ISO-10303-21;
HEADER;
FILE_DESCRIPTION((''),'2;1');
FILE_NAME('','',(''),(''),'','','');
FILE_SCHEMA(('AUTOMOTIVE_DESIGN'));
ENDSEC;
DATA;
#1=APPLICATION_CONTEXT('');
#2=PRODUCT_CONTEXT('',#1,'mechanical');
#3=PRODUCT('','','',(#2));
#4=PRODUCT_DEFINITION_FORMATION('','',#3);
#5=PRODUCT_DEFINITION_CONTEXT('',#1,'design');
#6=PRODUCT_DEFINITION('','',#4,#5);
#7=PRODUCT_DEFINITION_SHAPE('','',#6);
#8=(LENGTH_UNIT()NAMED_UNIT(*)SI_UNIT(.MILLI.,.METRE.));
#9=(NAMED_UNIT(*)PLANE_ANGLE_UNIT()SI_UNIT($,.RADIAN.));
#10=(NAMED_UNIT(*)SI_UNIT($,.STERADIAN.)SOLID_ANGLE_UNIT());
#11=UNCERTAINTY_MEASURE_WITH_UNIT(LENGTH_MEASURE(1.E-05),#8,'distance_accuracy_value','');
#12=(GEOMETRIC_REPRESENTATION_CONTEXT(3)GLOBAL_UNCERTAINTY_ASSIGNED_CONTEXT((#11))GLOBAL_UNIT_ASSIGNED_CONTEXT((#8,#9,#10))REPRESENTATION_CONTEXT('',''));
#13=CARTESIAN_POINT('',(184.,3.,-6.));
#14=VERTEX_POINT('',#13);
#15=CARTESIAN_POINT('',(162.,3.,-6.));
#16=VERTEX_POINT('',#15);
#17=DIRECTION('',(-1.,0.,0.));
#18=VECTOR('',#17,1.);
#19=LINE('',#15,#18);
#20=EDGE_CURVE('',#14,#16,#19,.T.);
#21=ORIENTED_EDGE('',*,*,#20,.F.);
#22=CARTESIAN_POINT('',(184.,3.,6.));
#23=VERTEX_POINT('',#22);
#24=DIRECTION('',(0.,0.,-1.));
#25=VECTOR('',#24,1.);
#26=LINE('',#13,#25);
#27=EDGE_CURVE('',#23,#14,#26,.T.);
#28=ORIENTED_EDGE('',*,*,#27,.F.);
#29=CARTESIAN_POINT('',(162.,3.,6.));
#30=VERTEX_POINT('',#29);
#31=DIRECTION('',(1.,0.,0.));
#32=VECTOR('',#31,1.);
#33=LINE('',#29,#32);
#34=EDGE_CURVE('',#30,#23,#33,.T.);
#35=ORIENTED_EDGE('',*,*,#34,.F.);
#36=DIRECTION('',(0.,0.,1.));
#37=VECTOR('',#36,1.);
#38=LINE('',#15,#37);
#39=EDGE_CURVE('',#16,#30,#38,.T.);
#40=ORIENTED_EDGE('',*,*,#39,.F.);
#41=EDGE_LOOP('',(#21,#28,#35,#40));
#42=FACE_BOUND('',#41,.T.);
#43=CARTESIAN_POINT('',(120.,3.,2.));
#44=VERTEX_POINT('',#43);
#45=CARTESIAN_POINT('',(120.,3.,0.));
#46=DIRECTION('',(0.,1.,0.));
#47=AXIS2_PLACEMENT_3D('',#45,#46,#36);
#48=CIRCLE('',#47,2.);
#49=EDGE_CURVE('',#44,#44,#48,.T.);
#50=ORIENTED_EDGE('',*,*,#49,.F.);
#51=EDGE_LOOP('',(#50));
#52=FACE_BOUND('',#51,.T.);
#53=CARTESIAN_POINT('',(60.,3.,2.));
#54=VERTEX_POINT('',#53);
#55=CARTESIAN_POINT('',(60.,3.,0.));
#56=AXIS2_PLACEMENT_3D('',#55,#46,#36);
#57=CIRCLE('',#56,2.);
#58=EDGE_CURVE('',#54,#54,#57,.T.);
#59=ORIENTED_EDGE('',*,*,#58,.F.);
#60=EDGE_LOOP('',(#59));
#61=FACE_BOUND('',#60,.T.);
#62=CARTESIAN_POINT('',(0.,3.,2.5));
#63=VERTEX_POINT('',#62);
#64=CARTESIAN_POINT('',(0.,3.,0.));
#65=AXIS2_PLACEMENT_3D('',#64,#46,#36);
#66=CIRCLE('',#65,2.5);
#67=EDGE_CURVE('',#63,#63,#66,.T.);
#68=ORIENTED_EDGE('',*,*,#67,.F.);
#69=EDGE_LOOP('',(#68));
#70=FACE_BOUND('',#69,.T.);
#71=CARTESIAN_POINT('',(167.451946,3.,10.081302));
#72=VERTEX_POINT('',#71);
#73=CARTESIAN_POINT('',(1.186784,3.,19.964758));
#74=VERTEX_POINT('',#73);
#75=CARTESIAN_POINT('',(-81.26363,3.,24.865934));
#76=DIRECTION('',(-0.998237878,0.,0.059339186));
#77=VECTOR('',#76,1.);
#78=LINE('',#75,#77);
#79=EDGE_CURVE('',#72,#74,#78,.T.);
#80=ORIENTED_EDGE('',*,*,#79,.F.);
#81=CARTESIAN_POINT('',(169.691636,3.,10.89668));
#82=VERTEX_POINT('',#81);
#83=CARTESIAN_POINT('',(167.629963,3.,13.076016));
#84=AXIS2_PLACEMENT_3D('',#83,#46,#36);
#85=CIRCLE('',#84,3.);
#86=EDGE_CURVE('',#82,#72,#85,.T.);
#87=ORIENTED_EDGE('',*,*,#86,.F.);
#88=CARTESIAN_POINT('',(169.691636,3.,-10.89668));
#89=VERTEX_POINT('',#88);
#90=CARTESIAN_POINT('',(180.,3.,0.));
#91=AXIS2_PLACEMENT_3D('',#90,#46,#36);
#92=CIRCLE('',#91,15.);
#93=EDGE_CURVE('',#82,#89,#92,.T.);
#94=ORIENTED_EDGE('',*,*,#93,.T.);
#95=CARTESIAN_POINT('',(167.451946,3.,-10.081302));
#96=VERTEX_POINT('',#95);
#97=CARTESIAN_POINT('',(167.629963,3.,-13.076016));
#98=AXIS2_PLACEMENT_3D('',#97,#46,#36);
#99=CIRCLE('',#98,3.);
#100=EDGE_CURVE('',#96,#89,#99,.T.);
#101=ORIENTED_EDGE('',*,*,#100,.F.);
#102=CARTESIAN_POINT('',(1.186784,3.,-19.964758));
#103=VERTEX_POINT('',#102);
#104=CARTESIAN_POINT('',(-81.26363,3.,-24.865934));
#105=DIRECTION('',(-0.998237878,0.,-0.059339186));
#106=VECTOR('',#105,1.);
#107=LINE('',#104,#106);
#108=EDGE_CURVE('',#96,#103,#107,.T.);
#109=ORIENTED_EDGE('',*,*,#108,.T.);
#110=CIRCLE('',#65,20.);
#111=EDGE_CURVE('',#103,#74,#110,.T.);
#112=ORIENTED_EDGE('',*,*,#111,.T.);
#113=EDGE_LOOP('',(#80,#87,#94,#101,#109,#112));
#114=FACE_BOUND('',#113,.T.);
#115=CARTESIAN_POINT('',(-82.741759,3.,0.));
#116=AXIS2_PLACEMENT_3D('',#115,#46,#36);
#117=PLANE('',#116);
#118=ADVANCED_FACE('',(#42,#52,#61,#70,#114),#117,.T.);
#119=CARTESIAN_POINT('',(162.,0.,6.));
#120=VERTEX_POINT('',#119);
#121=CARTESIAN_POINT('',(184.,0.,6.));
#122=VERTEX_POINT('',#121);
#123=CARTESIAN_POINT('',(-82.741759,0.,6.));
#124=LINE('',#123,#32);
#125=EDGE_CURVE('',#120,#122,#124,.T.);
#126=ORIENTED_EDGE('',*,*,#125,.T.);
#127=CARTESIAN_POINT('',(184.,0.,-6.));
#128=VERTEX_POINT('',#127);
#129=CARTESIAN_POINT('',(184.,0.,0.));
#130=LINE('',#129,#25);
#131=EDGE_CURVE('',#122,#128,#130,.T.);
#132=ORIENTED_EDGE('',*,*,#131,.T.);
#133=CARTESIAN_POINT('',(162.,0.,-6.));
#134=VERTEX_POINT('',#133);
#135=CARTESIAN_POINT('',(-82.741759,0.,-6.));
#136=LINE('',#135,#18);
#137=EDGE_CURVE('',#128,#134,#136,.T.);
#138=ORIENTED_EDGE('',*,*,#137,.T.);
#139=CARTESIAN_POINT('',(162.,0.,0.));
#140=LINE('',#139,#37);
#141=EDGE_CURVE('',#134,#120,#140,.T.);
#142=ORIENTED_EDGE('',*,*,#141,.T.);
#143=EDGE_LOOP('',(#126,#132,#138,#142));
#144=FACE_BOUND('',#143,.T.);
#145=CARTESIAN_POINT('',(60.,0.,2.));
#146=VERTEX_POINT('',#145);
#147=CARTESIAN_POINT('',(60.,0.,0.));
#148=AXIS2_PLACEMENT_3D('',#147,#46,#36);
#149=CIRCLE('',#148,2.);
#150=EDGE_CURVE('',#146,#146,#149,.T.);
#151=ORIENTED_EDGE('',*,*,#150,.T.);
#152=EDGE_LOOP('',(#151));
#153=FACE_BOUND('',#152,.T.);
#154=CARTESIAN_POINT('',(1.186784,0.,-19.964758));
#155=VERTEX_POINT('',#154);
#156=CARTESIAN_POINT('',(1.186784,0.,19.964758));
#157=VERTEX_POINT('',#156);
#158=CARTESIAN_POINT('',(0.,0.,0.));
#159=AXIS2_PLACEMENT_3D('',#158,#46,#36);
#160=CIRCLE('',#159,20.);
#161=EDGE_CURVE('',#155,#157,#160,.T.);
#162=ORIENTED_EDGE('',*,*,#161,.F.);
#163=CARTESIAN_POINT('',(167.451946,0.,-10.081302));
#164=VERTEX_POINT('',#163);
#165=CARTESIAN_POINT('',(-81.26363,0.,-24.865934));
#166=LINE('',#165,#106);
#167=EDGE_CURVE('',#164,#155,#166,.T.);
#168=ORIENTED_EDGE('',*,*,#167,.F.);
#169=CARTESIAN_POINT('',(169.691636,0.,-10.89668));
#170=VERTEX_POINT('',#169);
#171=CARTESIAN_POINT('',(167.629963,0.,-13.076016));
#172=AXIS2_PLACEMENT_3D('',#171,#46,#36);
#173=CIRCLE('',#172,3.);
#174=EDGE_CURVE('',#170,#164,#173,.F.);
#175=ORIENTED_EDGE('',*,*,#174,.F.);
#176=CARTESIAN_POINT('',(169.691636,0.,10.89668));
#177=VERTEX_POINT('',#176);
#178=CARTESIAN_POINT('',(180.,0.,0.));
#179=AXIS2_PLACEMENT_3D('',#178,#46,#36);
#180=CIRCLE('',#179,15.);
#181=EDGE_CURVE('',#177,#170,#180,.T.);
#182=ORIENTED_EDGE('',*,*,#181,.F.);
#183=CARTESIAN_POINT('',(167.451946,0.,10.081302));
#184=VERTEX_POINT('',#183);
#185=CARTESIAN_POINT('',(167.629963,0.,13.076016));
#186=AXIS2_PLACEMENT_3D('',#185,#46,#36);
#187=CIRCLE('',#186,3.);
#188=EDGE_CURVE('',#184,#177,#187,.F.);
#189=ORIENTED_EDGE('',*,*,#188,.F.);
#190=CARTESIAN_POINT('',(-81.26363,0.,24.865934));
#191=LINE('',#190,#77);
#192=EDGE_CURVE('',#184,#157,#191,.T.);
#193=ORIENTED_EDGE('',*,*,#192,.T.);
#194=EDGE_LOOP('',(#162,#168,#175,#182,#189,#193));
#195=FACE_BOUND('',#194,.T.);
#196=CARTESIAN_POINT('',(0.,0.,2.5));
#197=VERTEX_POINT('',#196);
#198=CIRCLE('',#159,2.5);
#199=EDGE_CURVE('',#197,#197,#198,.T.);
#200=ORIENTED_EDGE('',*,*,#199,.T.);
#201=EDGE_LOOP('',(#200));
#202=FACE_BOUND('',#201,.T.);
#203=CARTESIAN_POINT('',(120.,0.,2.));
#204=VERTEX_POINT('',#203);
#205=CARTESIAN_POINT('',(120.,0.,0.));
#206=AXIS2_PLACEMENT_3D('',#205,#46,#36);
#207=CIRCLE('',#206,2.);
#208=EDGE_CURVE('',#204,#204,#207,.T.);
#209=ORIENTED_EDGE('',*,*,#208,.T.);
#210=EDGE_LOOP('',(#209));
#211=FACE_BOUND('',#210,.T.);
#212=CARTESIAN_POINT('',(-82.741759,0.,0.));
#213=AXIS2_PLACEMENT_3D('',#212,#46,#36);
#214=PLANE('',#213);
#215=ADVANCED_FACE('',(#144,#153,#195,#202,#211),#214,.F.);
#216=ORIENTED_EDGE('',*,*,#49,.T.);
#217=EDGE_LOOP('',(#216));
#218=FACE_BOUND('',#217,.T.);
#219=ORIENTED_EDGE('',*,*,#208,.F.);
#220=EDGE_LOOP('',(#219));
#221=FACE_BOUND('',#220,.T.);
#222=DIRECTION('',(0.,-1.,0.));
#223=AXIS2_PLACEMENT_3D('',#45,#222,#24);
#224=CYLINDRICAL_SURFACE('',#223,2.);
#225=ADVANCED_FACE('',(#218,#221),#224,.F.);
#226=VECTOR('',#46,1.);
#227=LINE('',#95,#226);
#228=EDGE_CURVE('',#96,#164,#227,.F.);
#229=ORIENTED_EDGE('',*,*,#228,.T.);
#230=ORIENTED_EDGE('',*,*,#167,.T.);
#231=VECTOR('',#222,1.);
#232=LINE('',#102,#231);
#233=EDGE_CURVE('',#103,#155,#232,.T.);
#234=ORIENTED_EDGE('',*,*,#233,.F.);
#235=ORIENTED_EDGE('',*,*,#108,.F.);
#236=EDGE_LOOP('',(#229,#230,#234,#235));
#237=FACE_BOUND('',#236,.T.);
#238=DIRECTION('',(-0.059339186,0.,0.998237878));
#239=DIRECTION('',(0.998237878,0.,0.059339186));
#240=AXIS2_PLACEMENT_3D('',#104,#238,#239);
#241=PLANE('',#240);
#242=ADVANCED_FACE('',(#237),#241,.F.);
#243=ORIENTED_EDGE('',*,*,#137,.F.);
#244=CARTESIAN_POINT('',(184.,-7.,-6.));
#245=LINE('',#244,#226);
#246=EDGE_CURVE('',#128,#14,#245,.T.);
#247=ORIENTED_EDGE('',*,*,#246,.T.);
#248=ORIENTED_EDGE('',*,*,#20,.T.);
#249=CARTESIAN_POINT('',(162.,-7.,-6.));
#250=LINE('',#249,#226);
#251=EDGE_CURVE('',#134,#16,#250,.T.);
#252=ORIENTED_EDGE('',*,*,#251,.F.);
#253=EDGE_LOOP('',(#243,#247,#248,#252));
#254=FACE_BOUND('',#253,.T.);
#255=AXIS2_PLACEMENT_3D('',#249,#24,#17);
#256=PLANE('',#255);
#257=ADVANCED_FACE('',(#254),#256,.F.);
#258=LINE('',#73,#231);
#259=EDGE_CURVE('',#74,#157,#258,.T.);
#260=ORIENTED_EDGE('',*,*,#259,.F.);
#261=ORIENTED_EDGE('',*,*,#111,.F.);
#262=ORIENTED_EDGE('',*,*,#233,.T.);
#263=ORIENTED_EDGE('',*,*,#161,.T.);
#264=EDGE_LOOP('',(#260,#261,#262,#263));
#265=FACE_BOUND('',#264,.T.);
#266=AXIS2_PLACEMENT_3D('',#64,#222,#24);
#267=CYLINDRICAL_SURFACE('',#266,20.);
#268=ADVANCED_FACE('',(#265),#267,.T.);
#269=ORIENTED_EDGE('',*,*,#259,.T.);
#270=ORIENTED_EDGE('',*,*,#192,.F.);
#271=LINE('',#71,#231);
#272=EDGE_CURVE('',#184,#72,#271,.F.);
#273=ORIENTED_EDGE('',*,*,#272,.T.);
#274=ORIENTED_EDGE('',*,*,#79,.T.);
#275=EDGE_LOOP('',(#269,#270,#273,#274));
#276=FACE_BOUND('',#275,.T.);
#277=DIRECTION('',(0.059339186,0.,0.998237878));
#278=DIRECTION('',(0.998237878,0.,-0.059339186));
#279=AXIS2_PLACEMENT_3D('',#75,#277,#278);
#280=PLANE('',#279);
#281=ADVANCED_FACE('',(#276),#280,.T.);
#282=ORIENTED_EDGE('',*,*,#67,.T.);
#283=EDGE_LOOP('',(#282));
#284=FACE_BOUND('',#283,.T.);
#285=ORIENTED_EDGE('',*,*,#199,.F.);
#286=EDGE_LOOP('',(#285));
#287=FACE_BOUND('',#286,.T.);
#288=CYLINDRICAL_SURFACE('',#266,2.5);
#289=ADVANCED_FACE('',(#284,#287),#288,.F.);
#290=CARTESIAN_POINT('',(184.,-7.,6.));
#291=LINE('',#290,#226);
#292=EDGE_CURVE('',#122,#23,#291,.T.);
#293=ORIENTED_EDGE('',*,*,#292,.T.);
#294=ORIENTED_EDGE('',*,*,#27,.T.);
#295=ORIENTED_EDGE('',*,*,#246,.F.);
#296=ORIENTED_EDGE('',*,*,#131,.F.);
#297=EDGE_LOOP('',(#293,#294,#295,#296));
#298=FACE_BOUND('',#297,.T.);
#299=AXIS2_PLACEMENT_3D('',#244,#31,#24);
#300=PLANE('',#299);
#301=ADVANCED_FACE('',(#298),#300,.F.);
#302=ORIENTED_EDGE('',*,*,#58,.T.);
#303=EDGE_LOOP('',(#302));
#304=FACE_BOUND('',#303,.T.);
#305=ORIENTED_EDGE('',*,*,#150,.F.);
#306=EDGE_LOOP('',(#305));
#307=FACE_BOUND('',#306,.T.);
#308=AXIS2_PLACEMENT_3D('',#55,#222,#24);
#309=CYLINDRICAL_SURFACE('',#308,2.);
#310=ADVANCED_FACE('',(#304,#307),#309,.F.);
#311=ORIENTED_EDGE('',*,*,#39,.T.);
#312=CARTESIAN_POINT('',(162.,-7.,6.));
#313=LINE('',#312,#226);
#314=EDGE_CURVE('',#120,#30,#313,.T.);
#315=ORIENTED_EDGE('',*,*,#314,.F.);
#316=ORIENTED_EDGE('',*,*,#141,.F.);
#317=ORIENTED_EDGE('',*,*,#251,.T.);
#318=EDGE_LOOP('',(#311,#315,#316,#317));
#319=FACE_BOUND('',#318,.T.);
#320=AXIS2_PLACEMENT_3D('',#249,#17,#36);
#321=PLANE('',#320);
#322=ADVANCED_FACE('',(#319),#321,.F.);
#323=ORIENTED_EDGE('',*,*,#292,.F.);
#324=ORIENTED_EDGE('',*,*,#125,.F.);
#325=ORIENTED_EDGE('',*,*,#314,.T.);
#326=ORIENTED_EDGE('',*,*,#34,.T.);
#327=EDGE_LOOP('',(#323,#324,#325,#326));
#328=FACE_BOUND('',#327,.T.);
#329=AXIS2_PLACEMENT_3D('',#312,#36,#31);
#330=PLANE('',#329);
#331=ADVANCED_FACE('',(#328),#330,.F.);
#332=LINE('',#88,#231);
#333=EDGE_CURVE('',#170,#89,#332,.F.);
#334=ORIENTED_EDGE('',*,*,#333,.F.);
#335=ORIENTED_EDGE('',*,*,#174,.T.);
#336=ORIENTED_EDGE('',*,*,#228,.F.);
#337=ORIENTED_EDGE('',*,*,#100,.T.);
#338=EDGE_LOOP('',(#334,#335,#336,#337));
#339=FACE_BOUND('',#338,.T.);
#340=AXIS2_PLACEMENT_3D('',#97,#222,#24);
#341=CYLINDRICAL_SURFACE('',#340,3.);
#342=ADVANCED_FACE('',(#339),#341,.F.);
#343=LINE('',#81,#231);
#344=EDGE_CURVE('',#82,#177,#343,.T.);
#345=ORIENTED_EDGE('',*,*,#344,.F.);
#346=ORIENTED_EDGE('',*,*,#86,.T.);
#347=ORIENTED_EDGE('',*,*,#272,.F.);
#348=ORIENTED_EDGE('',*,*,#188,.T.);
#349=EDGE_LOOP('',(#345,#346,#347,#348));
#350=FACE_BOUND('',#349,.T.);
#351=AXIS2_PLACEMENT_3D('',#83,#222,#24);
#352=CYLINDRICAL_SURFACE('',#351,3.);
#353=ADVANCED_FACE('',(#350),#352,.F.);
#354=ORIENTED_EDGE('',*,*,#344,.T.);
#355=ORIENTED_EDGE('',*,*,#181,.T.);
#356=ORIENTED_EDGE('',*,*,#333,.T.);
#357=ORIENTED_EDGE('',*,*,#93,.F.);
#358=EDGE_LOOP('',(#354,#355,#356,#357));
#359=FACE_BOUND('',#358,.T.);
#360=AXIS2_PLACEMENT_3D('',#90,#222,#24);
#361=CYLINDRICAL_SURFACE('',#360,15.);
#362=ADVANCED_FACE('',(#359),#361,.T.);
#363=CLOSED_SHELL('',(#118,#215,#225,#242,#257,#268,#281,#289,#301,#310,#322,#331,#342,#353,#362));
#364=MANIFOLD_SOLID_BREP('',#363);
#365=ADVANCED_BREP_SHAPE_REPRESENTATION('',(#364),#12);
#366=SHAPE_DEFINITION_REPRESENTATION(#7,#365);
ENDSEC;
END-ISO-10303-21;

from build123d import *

# Parameters (mm, degrees)
SKETCH1_R           = 2
SKETCH1_R_2         = 2.5
BOSS_EXTRUDE1_DEPTH = 3
FILLET2_R           = 3
FILLET3_R           = 3
SKETCH2_W           = 22
SKETCH2_H           = 12
CUT_EXTRUDE1_DEPTH  = 10


with BuildPart() as part:
    # Sketch1 → Boss-Extrude1 (new body)
    with BuildSketch(Plane(origin=(0, 0, 0), x_dir=(1, 0, 0), z_dir=(0, 1, 0))):
        with BuildLine():
            ThreePointArc((1.186783721, 19.964757559), (-20, 0), (1.186783721, -19.964757559))
            Line((1.186783721, -19.964757559), (168.819660113, -10))
            ThreePointArc((168.819660113, -10), (195, 0), (168.819660113, 10))
            Line((168.819660113, 10), (1.186783721, 19.964757559))
        make_face()
        with Locations(Location((60, 0, 0), (0, 0, 270))):
            Circle(SKETCH1_R, mode=Mode.SUBTRACT)
        with Locations(Location((0, 0, 0), (0, 0, 270))):
            Circle(SKETCH1_R_2, mode=Mode.SUBTRACT)
        with Locations(Location((120, 0, 0), (0, 0, 270))):
            Circle(SKETCH1_R, mode=Mode.SUBTRACT)
    extrude(amount=BOSS_EXTRUDE1_DEPTH)

    # Fillet2
    fillet2_edges = [part.edges().sort_by_distance(p)[0] for p in [
        (168.819660113, 1.5, -10),
    ]]
    fillet(fillet2_edges, radius=FILLET2_R)

    # Fillet3
    fillet3_edges = [part.edges().sort_by_distance(p)[0] for p in [
        (168.819660113, 1.5, 10),
    ]]
    fillet(fillet3_edges, radius=FILLET3_R)

    # Sketch2 → Cut-Extrude1 (cut)
    with BuildSketch(Plane(origin=(0, 3, 0), x_dir=(1, 0, 0), z_dir=(0, 1, 0))):
        with Locations((173, 0)):
            Rectangle(SKETCH2_W, SKETCH2_H)
    extrude(amount=-CUT_EXTRUDE1_DEPTH, mode=Mode.SUBTRACT)


solid = part.part
